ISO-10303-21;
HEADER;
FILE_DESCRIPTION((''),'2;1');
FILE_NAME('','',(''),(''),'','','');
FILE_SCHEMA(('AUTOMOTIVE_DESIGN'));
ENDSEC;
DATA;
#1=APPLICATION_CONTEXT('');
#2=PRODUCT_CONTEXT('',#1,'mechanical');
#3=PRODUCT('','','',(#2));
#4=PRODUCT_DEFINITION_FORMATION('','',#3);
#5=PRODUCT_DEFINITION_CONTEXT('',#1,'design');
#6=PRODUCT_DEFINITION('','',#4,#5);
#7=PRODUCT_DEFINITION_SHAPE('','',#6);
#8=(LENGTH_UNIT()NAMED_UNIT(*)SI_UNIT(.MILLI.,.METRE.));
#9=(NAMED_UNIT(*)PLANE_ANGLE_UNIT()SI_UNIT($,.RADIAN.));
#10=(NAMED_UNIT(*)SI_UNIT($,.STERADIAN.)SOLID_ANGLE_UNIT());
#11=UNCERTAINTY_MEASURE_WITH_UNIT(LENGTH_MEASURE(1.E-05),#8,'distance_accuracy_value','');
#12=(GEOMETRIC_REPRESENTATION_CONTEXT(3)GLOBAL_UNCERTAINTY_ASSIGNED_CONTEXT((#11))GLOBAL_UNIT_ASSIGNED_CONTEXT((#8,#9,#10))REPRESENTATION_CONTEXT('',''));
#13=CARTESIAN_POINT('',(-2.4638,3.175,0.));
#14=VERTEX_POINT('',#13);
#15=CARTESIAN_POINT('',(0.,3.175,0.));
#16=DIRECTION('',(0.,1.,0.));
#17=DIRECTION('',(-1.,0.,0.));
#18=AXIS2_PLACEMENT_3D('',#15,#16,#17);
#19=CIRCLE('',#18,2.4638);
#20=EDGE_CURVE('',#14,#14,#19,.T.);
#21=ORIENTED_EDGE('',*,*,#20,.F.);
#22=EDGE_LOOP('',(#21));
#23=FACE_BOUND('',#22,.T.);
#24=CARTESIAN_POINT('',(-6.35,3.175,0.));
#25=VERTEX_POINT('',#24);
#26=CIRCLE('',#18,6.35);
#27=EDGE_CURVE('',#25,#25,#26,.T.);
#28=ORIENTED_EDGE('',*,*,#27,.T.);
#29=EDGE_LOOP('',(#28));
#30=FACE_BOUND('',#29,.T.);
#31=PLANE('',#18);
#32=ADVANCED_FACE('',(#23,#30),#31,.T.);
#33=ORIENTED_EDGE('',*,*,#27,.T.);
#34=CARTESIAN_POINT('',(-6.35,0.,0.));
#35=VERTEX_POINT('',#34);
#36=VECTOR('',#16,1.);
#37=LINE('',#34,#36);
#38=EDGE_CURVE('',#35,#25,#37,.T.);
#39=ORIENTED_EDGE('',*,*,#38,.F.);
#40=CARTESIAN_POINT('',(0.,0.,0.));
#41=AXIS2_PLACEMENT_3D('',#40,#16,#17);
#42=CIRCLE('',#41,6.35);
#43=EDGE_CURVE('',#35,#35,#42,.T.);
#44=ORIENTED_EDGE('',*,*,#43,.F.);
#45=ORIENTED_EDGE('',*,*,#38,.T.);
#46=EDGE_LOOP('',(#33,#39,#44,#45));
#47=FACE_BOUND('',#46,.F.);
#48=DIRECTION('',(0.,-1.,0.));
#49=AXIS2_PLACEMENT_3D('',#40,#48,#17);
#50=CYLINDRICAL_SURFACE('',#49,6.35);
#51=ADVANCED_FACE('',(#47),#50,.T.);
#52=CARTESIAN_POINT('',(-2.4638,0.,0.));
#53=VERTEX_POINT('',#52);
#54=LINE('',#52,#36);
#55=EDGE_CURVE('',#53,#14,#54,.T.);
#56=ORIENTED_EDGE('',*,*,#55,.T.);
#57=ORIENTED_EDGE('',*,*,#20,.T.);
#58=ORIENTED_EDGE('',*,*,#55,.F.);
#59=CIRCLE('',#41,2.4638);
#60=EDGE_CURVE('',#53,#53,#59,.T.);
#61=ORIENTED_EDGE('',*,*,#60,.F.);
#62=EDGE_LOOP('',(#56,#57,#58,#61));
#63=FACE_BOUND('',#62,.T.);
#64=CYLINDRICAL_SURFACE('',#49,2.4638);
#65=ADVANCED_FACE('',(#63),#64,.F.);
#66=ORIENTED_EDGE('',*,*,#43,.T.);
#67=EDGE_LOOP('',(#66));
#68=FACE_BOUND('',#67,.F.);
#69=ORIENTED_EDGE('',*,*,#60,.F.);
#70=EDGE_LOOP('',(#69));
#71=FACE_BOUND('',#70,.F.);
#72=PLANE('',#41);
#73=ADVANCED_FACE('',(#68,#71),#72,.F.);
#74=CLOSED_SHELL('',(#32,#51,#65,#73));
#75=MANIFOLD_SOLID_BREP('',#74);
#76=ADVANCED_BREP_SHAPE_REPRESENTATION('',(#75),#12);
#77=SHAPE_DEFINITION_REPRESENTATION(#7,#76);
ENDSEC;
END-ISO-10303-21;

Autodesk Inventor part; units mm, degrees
ref_plane "YZ Plane" through (0, 0, 0) normal (1, 0, 0) x (0, 1, 0)
ref_plane "XZ Plane" through (0, 0, 0) normal (0, 1, 0) x (-1, 0, 0)
ref_plane "XY Plane" through (0, 0, 0) normal (0, 0, 1) x (1, 0, 0)
sketch "Sketch1" plane through (0, 0, 0) normal (0, 1, 0) x (-1, 0, 0)
  circle A0 centre (0, 0) radius 6.35
  circle A1 centre (0, 0) radius 2.4638
  dimension "d0" = 12.7
  dimension "d1" = 4.9276
extrude "Extrusion1" add sketch "Sketch1" along normal blind 3.175
properties part number "275-1066" material "Glass"
